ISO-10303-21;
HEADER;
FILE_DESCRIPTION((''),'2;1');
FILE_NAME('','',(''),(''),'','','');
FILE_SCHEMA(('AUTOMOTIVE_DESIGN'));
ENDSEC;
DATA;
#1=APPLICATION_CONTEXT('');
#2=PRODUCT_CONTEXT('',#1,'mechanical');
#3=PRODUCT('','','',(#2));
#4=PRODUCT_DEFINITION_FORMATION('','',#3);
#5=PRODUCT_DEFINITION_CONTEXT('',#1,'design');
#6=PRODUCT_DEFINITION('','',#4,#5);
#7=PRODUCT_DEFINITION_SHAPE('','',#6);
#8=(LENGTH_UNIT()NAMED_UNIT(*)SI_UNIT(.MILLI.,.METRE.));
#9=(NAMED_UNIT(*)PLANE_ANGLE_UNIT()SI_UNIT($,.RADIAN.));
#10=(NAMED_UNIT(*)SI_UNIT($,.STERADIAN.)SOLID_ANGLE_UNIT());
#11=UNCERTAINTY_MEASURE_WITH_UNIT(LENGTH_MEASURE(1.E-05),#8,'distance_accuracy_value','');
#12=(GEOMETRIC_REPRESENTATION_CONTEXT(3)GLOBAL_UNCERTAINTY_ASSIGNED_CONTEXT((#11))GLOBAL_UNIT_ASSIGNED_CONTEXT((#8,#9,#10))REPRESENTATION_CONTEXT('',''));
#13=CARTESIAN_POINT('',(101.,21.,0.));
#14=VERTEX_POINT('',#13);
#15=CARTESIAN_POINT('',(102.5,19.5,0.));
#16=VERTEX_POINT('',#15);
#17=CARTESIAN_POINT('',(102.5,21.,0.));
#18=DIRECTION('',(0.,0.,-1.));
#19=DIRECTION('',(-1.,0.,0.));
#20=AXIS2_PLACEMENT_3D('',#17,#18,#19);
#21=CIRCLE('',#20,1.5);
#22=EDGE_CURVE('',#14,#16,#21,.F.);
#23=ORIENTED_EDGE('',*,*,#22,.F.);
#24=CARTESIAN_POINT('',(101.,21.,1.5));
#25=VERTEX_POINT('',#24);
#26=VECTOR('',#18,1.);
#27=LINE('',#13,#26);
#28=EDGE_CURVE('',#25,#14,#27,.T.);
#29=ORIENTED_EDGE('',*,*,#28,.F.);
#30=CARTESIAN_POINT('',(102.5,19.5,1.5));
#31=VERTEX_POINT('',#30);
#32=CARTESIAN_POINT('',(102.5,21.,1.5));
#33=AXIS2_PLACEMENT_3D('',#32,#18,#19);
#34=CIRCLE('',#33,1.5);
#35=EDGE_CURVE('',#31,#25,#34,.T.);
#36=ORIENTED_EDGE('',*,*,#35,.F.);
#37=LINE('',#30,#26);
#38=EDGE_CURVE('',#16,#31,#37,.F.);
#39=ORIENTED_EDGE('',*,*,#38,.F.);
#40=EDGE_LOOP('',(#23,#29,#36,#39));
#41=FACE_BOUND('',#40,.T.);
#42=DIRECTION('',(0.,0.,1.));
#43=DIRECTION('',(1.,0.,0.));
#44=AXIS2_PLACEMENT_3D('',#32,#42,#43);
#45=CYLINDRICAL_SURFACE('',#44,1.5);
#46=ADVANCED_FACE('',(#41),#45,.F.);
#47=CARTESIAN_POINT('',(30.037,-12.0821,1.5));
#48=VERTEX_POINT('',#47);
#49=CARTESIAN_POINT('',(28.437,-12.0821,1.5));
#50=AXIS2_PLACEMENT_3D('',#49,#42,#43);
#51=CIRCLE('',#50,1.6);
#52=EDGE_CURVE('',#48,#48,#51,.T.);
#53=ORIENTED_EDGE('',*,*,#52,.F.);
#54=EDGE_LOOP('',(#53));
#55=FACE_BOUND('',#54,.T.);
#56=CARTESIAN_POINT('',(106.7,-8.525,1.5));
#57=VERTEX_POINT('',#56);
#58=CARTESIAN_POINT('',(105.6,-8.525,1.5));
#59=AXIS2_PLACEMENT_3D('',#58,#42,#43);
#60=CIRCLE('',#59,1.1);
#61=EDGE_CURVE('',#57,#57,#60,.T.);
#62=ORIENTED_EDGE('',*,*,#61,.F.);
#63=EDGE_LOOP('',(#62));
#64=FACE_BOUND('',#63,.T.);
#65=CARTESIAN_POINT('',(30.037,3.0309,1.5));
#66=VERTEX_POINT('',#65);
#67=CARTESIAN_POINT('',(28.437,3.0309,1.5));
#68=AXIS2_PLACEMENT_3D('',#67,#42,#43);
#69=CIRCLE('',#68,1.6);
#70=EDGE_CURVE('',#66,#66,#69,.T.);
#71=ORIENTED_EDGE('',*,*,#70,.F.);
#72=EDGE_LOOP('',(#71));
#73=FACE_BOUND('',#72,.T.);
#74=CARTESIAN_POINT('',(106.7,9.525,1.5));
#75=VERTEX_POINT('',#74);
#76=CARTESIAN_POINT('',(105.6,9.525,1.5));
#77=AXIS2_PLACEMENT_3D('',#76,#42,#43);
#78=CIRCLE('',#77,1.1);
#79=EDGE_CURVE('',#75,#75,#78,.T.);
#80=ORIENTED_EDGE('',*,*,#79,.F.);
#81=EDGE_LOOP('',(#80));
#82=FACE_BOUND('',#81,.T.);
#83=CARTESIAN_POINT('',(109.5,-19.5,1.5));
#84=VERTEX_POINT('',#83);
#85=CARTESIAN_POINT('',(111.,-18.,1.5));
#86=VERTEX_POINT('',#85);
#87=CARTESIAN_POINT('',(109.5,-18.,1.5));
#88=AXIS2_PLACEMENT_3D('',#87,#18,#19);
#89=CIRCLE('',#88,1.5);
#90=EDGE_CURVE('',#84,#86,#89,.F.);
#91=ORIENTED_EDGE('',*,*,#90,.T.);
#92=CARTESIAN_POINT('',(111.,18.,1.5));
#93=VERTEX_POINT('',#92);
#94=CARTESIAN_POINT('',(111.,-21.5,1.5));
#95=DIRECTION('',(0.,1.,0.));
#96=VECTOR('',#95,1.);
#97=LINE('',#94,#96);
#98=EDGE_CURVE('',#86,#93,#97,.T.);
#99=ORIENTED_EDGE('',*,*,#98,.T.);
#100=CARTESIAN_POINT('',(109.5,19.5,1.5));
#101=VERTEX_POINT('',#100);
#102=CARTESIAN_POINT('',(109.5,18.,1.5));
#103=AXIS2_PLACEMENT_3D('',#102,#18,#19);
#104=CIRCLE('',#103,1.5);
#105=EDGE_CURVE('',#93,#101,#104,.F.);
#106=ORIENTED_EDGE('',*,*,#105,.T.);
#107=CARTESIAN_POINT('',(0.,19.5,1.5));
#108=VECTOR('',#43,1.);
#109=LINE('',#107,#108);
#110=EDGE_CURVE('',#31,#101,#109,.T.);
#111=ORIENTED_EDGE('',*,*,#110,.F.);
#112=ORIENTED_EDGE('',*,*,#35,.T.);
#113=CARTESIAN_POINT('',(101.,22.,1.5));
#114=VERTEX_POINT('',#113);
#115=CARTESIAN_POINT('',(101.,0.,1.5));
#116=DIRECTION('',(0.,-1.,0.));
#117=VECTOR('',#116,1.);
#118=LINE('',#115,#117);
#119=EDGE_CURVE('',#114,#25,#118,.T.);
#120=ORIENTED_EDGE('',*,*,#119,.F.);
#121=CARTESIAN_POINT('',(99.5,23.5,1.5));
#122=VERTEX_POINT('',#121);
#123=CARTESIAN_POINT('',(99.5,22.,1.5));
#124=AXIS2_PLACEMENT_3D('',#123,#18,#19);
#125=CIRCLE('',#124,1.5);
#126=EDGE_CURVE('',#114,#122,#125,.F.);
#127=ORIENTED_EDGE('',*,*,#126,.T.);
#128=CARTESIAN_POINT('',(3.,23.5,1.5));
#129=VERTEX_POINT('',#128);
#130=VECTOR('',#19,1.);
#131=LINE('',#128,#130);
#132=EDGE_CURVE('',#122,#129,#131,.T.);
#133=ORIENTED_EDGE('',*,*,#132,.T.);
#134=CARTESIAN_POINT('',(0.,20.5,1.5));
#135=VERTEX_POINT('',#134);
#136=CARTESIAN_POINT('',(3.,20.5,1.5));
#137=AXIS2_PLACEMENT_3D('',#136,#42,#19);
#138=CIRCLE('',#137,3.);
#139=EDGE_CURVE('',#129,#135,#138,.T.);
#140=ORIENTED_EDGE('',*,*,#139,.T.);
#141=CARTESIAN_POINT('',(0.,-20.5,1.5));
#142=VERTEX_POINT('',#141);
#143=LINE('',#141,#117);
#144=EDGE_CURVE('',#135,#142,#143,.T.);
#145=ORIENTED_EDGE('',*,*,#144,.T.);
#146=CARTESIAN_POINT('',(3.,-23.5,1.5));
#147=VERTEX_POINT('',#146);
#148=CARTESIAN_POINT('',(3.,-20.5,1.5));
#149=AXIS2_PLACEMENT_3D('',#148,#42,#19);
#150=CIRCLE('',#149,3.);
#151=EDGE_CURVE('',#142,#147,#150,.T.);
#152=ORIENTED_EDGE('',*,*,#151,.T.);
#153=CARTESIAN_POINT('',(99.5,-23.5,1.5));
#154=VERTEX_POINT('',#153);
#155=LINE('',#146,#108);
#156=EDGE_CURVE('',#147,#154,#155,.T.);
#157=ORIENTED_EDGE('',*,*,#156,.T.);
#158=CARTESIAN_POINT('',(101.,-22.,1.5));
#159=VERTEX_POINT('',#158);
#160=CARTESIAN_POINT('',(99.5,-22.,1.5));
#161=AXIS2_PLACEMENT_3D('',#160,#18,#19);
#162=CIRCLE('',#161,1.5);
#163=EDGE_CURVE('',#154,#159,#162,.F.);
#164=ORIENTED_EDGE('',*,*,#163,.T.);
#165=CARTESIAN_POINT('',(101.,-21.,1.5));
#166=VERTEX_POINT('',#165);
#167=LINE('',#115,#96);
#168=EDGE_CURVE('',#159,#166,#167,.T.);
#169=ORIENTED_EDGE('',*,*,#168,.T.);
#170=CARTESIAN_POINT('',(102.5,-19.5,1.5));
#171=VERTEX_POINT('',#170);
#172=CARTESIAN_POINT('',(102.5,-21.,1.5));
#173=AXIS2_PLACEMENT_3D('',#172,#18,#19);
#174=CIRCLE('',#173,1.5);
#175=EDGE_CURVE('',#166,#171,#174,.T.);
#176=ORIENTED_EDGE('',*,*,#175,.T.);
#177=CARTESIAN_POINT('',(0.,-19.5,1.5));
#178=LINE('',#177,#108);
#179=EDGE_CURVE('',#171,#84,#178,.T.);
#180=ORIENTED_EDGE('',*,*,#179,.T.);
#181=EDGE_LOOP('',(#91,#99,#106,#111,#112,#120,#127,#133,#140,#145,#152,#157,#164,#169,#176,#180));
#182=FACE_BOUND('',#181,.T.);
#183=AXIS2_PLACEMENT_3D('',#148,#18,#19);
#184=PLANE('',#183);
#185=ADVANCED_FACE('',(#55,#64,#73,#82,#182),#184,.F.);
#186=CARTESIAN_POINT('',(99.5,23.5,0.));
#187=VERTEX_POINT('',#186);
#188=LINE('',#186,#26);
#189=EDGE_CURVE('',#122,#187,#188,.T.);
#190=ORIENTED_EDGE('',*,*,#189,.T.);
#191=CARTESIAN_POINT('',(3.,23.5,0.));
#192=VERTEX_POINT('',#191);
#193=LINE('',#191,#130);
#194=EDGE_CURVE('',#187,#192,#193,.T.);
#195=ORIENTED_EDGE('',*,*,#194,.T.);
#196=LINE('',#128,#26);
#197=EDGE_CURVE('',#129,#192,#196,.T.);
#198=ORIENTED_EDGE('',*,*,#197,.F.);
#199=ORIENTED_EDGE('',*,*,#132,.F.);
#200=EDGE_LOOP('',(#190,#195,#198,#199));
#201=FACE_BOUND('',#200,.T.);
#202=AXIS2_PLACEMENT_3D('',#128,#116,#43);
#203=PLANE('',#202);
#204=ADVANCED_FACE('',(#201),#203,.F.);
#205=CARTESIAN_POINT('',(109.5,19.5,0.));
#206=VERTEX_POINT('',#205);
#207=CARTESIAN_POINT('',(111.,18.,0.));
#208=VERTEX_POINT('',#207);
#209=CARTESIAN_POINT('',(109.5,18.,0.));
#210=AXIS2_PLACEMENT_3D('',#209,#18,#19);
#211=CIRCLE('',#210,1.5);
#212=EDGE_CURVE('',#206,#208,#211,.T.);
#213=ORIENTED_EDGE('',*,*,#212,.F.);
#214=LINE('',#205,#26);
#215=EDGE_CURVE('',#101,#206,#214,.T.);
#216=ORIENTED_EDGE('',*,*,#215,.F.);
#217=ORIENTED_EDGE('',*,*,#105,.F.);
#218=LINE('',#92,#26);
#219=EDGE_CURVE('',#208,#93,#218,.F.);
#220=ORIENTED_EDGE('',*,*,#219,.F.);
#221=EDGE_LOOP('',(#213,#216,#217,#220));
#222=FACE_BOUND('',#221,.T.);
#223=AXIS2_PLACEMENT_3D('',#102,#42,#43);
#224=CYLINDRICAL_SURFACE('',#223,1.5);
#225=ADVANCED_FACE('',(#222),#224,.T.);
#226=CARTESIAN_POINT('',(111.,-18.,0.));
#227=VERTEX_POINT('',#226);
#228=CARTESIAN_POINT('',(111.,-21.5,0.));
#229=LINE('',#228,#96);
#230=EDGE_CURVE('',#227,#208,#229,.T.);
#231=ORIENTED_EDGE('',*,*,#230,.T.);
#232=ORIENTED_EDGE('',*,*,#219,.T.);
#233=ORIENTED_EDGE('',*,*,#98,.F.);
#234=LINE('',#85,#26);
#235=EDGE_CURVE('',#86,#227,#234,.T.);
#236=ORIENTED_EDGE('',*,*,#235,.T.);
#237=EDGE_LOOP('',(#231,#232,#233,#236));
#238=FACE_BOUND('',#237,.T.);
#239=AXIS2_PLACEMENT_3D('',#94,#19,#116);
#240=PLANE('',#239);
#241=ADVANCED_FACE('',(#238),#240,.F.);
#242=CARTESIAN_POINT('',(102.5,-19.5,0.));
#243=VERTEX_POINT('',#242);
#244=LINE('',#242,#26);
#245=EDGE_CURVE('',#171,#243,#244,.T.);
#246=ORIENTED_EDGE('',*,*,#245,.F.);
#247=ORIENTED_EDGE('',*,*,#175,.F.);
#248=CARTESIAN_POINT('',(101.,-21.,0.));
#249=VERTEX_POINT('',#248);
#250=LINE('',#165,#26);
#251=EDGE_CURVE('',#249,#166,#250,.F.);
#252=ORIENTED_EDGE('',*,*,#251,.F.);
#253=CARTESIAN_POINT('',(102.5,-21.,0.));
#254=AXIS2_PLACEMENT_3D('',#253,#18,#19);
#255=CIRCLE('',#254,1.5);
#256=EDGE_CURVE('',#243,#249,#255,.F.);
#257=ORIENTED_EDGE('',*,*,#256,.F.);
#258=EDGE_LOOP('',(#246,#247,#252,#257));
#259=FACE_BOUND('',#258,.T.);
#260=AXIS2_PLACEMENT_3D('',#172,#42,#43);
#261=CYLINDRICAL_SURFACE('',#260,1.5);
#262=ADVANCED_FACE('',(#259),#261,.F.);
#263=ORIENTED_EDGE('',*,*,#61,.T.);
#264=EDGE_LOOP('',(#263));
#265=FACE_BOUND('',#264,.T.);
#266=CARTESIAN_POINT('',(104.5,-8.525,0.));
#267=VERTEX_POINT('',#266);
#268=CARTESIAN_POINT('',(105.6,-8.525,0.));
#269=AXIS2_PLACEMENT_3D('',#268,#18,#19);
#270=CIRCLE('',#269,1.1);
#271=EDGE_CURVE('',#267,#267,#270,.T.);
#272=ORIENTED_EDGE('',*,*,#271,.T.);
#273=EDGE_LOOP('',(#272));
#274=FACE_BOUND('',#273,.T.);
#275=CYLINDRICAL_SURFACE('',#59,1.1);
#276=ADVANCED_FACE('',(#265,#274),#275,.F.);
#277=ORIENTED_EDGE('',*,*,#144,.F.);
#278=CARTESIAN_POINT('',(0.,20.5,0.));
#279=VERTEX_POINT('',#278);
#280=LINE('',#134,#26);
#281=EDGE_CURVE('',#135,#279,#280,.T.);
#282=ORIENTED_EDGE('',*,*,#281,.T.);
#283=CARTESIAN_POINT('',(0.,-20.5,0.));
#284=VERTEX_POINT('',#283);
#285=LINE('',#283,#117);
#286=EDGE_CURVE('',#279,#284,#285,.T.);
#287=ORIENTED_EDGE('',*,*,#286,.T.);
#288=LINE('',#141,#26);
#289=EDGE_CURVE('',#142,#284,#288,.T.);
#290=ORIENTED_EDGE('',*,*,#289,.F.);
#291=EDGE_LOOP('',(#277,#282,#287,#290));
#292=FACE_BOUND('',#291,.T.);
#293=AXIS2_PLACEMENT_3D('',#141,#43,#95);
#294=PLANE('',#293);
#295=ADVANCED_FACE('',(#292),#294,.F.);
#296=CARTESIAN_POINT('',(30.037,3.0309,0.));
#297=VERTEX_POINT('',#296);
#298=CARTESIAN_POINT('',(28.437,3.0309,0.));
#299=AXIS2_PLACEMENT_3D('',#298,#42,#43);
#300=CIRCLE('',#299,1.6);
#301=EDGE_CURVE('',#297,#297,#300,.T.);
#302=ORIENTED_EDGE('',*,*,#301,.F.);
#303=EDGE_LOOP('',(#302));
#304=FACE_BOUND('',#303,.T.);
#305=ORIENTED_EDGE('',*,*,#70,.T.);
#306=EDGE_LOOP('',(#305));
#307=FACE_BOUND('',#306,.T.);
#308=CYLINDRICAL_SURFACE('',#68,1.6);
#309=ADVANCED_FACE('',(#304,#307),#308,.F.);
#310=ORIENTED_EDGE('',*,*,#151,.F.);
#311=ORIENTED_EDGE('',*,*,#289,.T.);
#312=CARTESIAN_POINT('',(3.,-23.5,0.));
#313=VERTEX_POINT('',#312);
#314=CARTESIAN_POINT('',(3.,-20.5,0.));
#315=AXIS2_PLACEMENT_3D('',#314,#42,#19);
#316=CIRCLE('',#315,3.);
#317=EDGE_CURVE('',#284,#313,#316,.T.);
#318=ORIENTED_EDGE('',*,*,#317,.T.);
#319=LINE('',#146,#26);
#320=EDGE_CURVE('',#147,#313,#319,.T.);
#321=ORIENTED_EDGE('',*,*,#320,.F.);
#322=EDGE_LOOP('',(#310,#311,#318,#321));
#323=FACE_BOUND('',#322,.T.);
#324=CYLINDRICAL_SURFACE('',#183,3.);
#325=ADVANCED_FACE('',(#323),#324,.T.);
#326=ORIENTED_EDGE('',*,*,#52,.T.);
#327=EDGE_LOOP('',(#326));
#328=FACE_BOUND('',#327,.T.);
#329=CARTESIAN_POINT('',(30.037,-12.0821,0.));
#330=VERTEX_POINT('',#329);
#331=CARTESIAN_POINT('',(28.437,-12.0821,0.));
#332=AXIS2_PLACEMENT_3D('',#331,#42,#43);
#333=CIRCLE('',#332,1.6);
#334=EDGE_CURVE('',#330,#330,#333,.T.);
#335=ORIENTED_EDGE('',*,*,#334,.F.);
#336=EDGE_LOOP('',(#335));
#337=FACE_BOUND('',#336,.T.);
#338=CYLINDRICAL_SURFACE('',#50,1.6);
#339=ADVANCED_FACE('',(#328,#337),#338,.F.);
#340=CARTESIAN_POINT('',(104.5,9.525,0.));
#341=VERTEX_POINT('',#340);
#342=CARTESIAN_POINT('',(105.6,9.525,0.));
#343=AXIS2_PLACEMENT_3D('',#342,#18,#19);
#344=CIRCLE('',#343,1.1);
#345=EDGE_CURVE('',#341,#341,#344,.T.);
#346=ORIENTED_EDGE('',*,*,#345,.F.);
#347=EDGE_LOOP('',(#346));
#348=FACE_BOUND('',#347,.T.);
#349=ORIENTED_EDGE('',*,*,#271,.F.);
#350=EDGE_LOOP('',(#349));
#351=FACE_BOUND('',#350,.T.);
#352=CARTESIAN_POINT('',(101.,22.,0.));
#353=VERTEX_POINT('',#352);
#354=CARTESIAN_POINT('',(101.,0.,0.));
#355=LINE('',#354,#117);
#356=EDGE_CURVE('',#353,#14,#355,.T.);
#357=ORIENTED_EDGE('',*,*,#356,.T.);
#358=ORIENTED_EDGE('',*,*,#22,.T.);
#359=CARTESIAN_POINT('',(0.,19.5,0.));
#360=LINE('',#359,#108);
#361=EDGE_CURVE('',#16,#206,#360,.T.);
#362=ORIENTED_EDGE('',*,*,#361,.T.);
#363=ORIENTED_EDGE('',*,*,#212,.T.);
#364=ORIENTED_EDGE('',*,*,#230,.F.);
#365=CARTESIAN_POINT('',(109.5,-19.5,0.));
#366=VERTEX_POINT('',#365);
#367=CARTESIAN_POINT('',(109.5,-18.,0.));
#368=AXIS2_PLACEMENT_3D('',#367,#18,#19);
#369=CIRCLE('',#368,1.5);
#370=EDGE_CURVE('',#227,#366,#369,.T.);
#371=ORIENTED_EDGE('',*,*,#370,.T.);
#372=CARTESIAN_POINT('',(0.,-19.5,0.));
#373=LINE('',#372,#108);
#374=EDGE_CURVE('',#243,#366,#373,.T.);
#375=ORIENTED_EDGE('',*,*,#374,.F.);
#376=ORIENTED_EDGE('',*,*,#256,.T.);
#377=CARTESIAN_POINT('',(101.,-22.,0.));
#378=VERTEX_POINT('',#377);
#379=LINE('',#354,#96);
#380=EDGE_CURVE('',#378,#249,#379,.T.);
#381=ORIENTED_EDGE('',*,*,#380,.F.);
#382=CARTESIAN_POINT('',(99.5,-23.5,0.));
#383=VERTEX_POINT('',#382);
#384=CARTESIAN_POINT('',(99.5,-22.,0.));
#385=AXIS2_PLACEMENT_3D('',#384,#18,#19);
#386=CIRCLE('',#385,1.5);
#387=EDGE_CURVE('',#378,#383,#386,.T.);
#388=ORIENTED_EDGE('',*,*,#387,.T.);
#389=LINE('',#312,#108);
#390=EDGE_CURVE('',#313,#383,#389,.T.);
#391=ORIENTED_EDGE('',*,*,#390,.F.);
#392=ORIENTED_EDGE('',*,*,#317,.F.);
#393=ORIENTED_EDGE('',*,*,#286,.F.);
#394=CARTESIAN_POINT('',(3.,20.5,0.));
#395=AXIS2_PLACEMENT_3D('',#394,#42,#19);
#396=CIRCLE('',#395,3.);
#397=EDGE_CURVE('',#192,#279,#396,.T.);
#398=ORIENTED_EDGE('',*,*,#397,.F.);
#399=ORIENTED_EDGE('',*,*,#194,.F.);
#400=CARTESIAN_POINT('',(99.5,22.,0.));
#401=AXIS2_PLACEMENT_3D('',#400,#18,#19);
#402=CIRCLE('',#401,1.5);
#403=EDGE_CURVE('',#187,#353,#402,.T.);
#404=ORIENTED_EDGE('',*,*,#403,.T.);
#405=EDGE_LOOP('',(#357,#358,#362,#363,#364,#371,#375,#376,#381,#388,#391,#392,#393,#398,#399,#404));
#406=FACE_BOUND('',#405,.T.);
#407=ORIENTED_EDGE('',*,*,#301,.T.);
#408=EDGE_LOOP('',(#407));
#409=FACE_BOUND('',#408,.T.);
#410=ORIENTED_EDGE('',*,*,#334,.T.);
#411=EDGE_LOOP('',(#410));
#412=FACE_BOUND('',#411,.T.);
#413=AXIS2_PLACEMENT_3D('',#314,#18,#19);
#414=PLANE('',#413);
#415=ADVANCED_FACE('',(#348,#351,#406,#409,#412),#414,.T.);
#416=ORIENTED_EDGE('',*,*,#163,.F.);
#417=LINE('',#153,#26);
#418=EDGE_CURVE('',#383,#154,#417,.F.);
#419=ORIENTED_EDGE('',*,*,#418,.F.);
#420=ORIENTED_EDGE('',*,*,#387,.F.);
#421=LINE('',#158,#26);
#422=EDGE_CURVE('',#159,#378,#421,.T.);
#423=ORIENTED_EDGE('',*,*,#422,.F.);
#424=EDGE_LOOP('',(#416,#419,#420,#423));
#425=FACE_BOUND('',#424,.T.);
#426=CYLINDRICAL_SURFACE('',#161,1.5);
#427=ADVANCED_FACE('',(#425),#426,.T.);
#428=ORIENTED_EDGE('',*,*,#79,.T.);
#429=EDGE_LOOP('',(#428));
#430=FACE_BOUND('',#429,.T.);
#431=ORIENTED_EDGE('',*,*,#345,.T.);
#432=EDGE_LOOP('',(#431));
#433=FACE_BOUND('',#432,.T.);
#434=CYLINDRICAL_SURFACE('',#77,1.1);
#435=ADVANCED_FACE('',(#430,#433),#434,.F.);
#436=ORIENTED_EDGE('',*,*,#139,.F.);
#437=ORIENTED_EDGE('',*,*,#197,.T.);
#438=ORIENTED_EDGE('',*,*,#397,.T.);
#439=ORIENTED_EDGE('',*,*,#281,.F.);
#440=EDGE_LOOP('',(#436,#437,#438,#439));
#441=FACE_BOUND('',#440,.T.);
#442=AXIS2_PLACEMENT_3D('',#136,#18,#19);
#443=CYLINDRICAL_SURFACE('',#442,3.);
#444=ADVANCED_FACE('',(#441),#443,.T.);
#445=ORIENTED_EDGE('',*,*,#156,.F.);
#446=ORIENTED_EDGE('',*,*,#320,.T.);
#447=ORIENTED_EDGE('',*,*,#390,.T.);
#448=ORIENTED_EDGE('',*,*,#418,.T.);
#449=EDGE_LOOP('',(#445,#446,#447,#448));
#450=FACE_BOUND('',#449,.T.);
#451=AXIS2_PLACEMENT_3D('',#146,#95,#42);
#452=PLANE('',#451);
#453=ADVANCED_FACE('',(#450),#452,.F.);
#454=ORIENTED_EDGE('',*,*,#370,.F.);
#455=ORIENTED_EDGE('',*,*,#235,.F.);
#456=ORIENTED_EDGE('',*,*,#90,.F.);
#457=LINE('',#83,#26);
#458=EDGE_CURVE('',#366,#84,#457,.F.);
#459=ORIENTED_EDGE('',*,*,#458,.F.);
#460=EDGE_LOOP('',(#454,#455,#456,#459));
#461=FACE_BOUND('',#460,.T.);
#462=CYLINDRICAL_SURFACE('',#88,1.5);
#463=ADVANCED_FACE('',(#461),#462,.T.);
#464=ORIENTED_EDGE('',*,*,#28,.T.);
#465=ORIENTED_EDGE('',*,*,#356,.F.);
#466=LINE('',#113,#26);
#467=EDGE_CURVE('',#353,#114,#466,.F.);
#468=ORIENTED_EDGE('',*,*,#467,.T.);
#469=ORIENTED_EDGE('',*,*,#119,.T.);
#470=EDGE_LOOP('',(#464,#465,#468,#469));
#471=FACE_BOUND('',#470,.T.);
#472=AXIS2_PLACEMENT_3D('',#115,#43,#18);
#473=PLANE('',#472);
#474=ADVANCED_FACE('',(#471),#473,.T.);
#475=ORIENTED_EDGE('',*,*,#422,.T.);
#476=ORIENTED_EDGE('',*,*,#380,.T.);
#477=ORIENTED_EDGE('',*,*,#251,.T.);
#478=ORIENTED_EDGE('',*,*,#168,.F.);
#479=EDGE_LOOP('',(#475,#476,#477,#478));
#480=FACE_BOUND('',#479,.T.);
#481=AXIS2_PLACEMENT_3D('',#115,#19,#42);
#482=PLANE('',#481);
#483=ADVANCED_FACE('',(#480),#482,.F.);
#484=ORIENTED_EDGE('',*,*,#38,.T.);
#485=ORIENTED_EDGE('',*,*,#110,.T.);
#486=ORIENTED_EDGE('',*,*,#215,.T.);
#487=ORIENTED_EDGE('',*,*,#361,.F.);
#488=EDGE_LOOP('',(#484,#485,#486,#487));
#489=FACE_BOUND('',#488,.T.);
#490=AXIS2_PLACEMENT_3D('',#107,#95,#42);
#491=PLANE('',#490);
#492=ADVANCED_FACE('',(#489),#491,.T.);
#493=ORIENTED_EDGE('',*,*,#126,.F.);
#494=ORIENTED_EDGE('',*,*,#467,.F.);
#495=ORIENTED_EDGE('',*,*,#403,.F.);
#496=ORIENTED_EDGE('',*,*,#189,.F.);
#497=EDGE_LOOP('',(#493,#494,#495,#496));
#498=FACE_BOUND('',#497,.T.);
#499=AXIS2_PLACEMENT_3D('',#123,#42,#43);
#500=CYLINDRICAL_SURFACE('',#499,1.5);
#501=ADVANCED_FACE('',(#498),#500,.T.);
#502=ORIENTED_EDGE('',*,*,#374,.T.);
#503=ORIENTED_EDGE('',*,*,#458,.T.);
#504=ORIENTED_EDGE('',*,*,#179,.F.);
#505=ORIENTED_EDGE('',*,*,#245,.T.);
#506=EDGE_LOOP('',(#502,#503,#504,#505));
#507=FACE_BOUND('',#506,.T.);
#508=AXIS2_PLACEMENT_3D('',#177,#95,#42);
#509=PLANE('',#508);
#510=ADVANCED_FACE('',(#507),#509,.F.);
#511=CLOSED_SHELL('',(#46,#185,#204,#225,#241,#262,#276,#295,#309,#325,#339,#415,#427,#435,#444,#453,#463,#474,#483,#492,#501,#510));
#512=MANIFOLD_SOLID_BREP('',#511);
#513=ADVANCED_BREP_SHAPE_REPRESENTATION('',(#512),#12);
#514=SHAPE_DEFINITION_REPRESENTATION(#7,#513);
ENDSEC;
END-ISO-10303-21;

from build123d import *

# Parameters (mm, degrees)
BOSS_EXTRUDE1_DEPTH  = 1.5
CUT_EXTRUDE1_DEPTH   = 114.470260421
FILLET1_R            = 1.5
M3_CLEARANCE_HOLE1_D = 3.2
M2_CLEARANCE_HOLE2_D = 2.2


with BuildPart() as part:
    # Sketch1 → Boss-Extrude1 (new body)
    with BuildSketch(Plane.XY):
        with BuildLine():
            Line((3, -23.5), (109, -23.5))
            ThreePointArc((109, -23.5), (110.414213562, -22.914213562), (111, -21.5))
            Line((111, -21.5), (111, 21.5))
            ThreePointArc((111, 21.5), (110.414213562, 22.914213562), (109, 23.5))
            Line((109, 23.5), (3, 23.5))
            ThreePointArc((3, 23.5), (0.878679656, 22.621320344), (0, 20.5))
            Line((0, 20.5), (0, -20.5))
            ThreePointArc((0, -20.5), (0.878679656, -22.621320344), (3, -23.5))
        make_face()
    extrude(amount=BOSS_EXTRUDE1_DEPTH)

    # Sketch2 → Cut-Extrude1 (cut, through all)
    with BuildSketch(Plane(origin=(0, 0, 0), x_dir=(-1, 0, 0), z_dir=(0, 0, -1))):
        with BuildLine():
            Line((-101, 19.5), (-101, 23.5))
            Line((-101, 23.5), (-109, 23.5))
            ThreePointArc((-109, 23.5), (-110.414213562, 22.914213562), (-111, 21.5))
            Line((-111, 21.5), (-111, 19.5))
            Line((-111, 19.5), (-101, 19.5))
        make_face()
        with BuildLine():
            Line((-101, -19.5), (-111, -19.5))
            Line((-111, -19.5), (-111, -21.5))
            ThreePointArc((-111, -21.5), (-110.414213562, -22.914213562), (-109, -23.5))
            Line((-109, -23.5), (-101, -23.5))
            Line((-101, -23.5), (-101, -19.5))
        make_face()
    extrude(amount=-CUT_EXTRUDE1_DEPTH, mode=Mode.SUBTRACT)

    # Fillet1
    fillet1_edges = [part.edges().sort_by_distance(p)[0] for p in [
        (101, 19.5, 0.75),
        (111, 19.5, 0.75),
        (101, 23.5, 0.75),
        (101, -23.5, 0.75),
        (111, -19.5, 0.75),
        (101, -19.5, 0.75),
    ]]
    fillet(fillet1_edges, radius=FILLET1_R)

    # M3 Clearance Hole1 (through all)
    with Locations(Plane.XY.offset(1.5)):
        with Locations((28.437, 3.0309), (28.437, -12.0821)):
            Hole(M3_CLEARANCE_HOLE1_D / 2)

    # M2 Clearance Hole2 (through all)
    with Locations(Plane.XY.offset(1.5)):
        with Locations((105.6, 9.525), (105.6, -8.525)):
            Hole(M2_CLEARANCE_HOLE2_D / 2)


solid = part.part
